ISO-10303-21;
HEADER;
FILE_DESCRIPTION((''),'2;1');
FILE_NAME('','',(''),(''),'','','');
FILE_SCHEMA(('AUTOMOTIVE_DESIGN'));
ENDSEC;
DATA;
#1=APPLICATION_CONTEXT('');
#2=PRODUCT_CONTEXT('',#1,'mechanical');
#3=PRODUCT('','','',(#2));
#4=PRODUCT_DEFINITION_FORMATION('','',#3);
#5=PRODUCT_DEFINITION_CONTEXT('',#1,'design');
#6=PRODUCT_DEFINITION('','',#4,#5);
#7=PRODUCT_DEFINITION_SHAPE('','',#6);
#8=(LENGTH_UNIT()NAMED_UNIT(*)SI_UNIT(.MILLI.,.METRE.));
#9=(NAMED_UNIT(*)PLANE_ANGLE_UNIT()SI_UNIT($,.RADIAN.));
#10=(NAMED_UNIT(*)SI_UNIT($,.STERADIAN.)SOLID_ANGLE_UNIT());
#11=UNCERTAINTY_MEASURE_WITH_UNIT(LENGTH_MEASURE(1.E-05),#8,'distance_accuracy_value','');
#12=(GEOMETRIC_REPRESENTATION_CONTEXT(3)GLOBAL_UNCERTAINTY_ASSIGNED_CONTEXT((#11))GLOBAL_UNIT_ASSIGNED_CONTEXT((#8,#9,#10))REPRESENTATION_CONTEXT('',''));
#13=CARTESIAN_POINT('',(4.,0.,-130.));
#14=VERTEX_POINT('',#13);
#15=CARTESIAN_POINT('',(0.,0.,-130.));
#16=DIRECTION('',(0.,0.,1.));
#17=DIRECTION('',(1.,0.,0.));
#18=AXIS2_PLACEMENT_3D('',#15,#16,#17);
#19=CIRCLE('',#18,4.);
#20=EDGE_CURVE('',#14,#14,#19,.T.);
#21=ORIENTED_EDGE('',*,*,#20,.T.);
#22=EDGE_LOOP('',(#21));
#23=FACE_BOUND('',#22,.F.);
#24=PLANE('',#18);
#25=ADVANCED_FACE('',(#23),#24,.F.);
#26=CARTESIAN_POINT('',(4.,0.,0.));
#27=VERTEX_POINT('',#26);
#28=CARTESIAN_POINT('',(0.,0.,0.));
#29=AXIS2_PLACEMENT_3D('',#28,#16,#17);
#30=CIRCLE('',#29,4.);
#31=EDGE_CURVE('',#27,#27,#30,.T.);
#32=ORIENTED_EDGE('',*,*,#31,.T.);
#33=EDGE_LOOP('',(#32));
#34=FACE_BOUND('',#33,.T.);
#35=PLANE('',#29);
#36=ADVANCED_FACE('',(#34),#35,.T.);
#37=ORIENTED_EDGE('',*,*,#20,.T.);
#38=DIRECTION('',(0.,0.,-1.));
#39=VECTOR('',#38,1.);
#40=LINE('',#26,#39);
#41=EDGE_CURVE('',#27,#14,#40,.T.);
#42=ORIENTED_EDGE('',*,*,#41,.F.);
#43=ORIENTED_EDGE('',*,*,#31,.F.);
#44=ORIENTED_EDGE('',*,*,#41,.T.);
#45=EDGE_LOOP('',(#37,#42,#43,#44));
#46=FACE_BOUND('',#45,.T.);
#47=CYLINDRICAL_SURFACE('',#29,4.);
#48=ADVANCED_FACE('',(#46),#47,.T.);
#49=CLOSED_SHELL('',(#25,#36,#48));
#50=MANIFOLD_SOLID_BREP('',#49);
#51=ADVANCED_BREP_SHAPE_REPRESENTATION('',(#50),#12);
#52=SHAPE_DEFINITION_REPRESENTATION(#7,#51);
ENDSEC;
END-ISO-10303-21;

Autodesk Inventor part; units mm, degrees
ref_plane "YZ Plane" through (0, 0, 0) normal (1, 0, 0) x (0, 1, 0)
ref_plane "XZ Plane" through (0, 0, 0) normal (0, 1, 0) x (-1, 0, 0)
ref_plane "XY Plane" through (0, 0, 0) normal (0, 0, 1) x (1, 0, 0)
sketch "スケッチ1" plane through (0, 0, 0) normal (0, 0, 1) x (1, 0, 0)
  circle A0 centre (0, 0) radius 4
  dimension "d0" = 8
extrude "押し出し1" add sketch "スケッチ1" against normal blind 130
properties part number "円柱8mm"
